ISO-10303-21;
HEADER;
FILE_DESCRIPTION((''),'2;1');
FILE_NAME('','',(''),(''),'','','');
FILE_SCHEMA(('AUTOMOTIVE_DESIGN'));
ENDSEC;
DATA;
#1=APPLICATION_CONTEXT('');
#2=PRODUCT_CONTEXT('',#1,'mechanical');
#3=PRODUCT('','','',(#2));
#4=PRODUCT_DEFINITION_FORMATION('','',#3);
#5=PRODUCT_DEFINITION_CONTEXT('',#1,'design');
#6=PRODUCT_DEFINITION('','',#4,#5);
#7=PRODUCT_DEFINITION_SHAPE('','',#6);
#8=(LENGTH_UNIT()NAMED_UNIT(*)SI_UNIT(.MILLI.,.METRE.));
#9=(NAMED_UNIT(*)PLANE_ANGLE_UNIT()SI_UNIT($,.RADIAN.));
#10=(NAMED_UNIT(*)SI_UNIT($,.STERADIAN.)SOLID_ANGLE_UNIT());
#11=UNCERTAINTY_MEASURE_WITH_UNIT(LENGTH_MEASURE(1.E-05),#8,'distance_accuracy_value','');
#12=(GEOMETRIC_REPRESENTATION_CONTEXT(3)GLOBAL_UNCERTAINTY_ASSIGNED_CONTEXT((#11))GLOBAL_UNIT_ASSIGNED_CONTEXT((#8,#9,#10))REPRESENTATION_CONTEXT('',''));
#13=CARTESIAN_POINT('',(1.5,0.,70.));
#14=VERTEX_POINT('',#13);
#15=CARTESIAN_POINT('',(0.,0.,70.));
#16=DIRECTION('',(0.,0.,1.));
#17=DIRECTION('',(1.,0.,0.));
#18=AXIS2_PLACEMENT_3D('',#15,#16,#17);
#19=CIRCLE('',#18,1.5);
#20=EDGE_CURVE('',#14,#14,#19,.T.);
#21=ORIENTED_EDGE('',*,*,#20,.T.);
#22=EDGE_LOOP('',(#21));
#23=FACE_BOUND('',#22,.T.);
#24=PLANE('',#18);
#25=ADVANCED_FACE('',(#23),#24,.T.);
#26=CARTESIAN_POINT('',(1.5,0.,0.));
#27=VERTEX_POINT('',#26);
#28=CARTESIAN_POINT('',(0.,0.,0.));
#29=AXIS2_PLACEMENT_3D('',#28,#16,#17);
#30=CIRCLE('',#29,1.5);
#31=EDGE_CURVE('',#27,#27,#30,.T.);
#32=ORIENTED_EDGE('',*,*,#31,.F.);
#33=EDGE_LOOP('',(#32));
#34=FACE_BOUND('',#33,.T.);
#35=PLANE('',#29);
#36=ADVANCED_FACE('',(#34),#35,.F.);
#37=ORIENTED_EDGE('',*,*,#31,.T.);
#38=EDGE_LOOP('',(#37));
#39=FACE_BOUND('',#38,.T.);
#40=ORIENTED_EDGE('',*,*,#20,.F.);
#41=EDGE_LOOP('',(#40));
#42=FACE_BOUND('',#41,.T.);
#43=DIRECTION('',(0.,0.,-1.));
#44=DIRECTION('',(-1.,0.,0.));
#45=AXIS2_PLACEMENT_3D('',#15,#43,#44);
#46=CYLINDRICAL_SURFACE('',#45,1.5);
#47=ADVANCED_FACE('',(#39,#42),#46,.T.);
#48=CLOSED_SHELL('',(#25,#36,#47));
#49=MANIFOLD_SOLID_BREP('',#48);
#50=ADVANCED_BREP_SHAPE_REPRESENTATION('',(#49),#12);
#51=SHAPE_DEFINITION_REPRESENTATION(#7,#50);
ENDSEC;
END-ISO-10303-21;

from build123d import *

# Parameters (mm, degrees)
SKETCH1_R           = 1.5
BOSS_EXTRUDE1_DEPTH = 70


with BuildPart() as part:
    # Sketch1 → Boss-Extrude1 (new body)
    with BuildSketch(Plane.XY):
        Circle(SKETCH1_R)
    extrude(amount=BOSS_EXTRUDE1_DEPTH)


solid = part.part
